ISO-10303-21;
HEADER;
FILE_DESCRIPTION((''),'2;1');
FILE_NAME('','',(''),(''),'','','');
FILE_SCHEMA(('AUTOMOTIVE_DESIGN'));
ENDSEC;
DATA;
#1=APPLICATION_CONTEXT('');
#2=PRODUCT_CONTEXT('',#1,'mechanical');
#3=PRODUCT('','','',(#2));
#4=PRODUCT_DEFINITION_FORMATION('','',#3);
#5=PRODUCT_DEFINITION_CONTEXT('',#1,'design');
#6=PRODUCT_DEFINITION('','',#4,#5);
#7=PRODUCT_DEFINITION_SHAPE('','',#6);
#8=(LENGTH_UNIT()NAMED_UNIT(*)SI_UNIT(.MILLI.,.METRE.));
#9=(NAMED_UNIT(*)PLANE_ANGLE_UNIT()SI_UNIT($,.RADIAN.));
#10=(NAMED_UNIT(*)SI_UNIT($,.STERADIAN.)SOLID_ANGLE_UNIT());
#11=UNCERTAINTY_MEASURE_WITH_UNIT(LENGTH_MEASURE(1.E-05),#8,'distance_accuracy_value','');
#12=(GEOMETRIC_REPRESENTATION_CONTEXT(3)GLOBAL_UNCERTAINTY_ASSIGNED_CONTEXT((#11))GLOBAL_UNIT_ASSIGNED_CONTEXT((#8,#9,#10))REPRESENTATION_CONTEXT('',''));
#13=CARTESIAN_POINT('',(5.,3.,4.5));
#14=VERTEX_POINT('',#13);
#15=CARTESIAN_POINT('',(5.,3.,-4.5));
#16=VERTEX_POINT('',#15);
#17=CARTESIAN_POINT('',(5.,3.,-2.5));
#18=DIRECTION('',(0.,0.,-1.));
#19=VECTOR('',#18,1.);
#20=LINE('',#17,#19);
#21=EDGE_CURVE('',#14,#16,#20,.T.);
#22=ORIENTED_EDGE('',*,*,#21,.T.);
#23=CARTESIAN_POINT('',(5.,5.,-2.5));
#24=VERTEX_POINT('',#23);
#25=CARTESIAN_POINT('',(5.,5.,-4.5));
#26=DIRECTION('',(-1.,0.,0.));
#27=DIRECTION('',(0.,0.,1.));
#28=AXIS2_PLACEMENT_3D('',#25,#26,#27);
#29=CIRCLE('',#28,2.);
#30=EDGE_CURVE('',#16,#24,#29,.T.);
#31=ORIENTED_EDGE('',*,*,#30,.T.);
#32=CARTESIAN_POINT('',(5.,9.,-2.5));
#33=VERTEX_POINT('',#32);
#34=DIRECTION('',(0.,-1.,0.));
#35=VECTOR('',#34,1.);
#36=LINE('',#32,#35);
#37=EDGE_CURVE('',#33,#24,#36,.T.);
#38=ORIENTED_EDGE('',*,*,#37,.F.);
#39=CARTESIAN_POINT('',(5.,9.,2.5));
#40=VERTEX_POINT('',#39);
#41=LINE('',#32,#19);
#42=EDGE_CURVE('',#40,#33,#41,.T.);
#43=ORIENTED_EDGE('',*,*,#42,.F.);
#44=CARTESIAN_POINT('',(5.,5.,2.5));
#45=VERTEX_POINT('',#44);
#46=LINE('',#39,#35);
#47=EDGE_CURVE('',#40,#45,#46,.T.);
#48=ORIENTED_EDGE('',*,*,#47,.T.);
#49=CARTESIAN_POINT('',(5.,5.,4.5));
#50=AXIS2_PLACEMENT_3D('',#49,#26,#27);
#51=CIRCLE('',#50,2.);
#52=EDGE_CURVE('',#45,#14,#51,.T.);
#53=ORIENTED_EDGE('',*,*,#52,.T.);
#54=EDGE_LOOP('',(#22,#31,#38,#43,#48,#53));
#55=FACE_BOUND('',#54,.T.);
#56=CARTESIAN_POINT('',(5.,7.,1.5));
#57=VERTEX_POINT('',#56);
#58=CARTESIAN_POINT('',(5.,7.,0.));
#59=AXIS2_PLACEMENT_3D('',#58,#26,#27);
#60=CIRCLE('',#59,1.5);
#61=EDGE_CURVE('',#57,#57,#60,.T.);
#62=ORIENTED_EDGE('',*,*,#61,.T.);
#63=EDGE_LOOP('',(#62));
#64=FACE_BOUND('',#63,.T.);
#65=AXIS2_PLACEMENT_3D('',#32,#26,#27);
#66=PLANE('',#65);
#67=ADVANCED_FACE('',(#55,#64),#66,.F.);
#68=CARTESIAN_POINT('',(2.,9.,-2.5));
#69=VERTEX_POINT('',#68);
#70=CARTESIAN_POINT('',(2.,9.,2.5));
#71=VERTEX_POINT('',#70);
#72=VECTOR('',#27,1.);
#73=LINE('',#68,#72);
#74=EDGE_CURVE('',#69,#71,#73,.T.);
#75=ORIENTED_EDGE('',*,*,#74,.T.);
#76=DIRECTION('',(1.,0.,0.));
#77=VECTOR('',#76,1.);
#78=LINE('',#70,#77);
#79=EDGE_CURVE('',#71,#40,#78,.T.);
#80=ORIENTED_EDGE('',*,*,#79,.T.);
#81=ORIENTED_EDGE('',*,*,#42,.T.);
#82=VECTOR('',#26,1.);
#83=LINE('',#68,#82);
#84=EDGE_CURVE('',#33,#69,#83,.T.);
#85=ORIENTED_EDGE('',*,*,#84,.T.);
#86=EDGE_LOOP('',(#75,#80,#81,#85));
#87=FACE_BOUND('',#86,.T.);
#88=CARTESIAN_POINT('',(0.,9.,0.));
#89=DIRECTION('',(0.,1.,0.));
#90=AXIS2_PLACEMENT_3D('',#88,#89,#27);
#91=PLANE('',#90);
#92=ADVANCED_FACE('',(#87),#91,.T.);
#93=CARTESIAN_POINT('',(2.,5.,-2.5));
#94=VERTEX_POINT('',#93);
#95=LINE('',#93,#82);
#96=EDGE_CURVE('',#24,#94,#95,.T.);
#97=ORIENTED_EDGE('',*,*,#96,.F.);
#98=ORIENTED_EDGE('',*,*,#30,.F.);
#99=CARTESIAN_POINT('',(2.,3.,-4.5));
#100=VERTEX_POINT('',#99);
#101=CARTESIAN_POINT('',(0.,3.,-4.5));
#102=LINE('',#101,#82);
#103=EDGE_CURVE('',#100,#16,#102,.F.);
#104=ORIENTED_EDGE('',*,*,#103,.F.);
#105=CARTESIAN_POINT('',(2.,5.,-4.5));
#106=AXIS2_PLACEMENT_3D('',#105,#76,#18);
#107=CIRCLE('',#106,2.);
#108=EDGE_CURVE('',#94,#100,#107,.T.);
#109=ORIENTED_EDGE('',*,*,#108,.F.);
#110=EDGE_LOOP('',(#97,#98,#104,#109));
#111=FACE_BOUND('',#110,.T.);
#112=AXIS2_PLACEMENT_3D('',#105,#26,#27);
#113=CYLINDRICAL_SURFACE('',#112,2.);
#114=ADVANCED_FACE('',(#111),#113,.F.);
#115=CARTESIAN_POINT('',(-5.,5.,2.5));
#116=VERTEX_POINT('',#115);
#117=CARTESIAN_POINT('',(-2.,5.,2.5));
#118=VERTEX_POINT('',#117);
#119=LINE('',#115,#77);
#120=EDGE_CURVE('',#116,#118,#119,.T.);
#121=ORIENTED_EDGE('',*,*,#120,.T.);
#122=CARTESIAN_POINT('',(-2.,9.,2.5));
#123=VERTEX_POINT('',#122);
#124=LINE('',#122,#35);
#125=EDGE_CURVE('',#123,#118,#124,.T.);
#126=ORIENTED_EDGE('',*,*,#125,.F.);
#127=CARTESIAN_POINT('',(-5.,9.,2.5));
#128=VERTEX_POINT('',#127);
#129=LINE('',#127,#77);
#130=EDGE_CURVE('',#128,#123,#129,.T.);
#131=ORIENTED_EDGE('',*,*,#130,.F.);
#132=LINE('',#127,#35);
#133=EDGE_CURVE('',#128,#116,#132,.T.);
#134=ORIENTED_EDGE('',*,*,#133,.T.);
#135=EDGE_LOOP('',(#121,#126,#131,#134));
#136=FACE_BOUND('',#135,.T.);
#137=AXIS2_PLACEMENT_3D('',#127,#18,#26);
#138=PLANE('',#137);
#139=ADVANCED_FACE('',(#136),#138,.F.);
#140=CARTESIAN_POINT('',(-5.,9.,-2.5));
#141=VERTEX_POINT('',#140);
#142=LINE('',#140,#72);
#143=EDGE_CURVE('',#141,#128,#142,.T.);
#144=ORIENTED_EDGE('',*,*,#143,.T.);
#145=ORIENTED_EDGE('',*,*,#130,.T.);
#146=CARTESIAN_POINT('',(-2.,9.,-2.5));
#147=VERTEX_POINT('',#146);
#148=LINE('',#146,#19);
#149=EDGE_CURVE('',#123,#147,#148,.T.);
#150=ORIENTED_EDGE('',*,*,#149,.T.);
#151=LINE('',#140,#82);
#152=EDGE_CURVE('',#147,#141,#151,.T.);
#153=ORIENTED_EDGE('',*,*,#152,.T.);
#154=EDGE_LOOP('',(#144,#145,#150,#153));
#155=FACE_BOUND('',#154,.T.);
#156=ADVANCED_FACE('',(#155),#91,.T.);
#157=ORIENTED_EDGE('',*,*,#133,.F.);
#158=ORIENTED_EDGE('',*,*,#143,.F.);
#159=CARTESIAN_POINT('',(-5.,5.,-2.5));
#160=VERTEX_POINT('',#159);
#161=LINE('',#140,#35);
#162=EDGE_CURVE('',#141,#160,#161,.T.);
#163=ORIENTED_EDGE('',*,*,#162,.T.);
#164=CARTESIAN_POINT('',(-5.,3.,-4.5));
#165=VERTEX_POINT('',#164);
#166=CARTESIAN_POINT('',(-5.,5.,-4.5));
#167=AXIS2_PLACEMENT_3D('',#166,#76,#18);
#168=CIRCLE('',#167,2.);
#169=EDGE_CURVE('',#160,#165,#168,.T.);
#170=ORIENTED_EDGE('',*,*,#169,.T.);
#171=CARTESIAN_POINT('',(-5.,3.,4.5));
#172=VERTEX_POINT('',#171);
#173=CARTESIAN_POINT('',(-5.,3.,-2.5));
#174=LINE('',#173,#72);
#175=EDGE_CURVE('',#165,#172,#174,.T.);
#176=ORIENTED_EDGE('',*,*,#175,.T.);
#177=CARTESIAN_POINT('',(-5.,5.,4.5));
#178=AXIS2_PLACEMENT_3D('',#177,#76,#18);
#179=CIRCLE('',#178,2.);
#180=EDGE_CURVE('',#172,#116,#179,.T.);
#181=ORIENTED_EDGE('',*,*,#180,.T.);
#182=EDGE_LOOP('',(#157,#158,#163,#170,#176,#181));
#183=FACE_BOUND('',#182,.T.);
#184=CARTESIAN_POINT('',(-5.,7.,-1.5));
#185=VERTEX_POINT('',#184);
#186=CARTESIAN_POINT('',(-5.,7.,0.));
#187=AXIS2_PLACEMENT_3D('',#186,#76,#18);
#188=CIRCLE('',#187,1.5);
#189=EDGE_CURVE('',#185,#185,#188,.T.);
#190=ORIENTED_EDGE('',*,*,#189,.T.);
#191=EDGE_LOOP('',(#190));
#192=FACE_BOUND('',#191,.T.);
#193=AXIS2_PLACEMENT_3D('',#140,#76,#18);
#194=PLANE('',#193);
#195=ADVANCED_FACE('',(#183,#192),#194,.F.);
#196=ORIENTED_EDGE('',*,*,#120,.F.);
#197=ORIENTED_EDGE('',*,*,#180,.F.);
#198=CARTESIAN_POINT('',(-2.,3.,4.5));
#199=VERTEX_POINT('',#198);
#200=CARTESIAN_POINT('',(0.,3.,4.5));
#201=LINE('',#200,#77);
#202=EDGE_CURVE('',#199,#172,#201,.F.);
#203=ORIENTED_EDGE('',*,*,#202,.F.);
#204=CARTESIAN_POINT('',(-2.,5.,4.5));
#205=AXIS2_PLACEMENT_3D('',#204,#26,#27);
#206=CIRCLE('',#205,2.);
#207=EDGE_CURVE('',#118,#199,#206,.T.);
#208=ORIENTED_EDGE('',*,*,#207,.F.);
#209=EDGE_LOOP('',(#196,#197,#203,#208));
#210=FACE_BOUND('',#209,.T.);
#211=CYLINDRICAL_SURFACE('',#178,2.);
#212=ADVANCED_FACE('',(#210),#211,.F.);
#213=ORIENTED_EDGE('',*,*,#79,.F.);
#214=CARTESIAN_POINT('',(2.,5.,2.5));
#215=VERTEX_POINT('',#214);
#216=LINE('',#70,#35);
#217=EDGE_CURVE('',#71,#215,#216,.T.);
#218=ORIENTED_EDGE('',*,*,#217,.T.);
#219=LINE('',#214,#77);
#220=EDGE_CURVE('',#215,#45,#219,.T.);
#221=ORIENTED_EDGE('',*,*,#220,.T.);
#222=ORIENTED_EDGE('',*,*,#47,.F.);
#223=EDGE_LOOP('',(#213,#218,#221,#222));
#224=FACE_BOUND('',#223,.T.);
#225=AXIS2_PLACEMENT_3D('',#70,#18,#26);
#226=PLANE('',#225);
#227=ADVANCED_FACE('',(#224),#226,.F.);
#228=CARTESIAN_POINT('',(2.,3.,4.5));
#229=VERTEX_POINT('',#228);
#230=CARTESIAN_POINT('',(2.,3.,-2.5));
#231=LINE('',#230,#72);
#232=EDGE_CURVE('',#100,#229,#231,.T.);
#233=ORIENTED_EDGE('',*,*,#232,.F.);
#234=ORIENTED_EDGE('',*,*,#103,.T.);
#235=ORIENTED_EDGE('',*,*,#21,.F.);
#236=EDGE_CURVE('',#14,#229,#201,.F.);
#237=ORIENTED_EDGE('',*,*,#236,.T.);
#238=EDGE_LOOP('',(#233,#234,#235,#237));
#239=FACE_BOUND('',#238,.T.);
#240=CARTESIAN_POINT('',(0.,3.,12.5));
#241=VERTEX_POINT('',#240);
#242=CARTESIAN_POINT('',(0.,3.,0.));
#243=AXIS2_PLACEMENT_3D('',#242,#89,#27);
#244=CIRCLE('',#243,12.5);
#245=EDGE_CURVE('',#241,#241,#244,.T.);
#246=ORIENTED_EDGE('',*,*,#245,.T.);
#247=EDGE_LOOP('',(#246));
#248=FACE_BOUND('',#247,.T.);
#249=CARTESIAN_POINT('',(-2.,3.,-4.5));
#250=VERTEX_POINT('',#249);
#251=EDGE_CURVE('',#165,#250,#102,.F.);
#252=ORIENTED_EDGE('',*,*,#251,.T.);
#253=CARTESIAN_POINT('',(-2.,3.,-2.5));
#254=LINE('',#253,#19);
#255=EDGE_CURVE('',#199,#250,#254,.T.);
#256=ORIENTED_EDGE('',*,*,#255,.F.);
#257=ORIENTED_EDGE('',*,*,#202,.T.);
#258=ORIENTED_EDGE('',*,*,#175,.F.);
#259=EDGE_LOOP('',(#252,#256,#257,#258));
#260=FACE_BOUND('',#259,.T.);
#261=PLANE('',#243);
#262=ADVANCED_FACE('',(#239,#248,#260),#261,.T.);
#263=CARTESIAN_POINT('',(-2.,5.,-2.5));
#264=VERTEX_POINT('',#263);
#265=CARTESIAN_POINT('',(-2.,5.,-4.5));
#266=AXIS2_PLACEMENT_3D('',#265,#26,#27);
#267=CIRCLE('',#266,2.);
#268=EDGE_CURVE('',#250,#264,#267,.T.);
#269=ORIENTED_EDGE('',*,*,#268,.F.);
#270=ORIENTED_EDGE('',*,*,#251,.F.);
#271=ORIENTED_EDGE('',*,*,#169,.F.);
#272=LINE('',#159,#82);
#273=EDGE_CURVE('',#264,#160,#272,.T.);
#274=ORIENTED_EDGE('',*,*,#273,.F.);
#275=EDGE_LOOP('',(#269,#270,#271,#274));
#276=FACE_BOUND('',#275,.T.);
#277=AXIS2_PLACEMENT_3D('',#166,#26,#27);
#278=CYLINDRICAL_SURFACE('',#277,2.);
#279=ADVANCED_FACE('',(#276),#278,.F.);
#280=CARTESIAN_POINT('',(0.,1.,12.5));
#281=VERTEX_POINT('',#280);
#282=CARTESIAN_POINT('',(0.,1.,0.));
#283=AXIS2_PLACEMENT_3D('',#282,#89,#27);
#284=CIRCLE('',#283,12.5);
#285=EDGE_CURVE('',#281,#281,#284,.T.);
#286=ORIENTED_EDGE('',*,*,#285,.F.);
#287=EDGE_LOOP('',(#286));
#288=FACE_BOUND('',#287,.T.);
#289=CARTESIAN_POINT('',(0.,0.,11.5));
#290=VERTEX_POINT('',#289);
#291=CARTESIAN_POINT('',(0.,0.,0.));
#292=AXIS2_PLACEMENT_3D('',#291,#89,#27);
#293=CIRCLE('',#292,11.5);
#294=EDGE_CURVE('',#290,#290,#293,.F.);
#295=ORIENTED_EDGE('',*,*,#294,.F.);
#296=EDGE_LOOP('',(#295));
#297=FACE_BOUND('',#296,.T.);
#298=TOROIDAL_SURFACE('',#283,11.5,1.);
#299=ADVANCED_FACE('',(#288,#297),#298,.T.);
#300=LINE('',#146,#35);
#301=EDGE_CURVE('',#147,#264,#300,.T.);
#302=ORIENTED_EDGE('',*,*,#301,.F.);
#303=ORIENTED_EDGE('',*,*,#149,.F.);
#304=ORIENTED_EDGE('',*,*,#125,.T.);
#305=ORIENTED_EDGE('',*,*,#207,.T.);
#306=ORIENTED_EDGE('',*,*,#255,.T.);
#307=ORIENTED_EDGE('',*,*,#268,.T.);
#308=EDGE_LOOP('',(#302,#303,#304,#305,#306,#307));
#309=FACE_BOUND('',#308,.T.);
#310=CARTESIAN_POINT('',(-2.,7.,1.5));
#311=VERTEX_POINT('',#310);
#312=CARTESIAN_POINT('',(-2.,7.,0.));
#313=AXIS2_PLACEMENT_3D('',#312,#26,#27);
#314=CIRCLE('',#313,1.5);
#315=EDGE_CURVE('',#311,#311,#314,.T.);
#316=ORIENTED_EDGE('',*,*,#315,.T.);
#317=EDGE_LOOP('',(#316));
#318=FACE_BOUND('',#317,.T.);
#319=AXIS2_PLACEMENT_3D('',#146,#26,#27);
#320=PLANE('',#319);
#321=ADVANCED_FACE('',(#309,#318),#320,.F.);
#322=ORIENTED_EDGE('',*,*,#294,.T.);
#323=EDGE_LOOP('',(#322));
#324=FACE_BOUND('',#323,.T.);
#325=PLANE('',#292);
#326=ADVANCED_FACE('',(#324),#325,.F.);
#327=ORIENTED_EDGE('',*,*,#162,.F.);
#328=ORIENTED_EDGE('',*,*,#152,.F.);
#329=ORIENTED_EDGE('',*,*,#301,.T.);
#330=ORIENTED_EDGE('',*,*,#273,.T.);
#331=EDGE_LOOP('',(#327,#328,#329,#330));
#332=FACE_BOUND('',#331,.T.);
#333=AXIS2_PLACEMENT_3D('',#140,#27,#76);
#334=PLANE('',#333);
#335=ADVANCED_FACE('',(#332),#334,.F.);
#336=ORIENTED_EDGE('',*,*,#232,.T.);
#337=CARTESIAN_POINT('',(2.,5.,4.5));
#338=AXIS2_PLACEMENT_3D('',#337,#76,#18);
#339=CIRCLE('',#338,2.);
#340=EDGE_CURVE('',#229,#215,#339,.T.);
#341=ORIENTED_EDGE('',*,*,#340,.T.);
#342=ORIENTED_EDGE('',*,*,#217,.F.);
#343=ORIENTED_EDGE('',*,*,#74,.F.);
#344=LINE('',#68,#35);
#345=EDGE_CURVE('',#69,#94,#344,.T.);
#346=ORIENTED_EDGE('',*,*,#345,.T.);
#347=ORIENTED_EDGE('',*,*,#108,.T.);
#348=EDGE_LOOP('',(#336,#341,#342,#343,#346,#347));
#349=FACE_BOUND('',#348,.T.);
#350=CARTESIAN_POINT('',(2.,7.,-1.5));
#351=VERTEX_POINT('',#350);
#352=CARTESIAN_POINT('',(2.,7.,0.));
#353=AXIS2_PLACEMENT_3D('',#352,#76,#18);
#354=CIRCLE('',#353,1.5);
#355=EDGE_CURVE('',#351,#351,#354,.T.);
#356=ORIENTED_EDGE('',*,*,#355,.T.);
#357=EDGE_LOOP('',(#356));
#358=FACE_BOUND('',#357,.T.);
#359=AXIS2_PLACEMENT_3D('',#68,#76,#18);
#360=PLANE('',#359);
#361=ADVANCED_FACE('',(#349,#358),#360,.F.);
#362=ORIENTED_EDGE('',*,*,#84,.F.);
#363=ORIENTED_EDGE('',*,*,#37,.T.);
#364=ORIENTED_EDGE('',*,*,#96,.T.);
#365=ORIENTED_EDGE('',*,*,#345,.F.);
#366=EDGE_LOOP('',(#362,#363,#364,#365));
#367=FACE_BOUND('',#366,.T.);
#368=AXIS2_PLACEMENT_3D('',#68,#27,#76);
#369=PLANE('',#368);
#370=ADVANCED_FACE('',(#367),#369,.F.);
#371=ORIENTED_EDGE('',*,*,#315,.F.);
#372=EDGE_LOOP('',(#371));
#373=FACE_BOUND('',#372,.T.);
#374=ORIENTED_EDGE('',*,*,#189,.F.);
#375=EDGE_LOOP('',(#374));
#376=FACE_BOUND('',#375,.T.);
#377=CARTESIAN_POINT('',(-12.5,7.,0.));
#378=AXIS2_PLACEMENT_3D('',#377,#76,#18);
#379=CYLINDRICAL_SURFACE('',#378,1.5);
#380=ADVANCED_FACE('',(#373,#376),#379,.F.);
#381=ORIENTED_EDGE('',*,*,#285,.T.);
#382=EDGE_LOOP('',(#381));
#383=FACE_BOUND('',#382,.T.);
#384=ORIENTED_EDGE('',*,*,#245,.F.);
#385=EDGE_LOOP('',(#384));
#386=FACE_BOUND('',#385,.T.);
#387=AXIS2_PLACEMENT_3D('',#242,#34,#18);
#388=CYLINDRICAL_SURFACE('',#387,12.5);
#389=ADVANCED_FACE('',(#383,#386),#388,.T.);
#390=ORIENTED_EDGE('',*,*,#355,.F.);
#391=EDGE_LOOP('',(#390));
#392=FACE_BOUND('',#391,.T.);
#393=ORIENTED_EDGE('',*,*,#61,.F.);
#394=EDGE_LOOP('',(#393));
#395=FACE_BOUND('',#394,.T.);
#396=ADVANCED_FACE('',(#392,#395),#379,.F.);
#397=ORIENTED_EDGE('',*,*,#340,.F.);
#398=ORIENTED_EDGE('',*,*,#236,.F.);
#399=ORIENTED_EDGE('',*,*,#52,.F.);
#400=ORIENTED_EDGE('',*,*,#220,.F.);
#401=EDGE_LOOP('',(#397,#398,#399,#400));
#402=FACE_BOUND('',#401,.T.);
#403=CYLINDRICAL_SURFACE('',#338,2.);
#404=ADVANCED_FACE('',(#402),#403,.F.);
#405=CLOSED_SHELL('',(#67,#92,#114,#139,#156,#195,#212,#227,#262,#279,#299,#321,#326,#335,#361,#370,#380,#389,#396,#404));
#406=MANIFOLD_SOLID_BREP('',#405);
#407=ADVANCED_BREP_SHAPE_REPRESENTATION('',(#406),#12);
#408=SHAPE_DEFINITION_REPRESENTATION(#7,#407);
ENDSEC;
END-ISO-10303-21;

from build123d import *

# Parameters (mm, degrees)
SKETCH1_R               = 12.5
BOSS_EXTRUDE1_DEPTH     = 3
SKETCH2_W               = 3
SKETCH2_H               = 5
BOSS_EXTRUDE2_DEPTH     = 6
SKETCH3_R               = 1.5
CUT_EXTRUDE1_DEPTH      = 8.5
CUT_EXTRUDE1_DEPTH_BACK = 18.5
FILLET1_R               = 2
FILLET2_R               = 1


with BuildPart() as part:
    # Sketch1 → Boss-Extrude1 (new body)
    with BuildSketch(Plane(origin=(0, 0, 0), x_dir=(1, 0, 0), z_dir=(0, 1, 0))):
        with Locations(Location((0, 0, 0), (0, 0, 270))):  # turned: the seam where the file's is
            Circle(SKETCH1_R)
    extrude(amount=BOSS_EXTRUDE1_DEPTH)

    # Sketch2 → Boss-Extrude2 (add)
    with BuildSketch(Plane(origin=(0, 3, 0), x_dir=(1, 0, 0), z_dir=(0, 1, 0))):
        with Locations((-3.5, 0)):
            Rectangle(SKETCH2_W, SKETCH2_H)
        with Locations((3.5, 0)):
            Rectangle(SKETCH2_W, SKETCH2_H)
    extrude(amount=BOSS_EXTRUDE2_DEPTH)

    # Sketch3 → Cut-Extrude1 (cut, two sides)
    with BuildSketch(Plane(origin=(5, 0, 0), x_dir=(0, 0, -1), z_dir=(1, 0, 0))) as cut_extrude1_sk:
        with Locations((0, 7)):
            Circle(SKETCH3_R)
    extrude(amount=CUT_EXTRUDE1_DEPTH, mode=Mode.SUBTRACT)
    extrude(cut_extrude1_sk.sketch, amount=-CUT_EXTRUDE1_DEPTH_BACK, mode=Mode.SUBTRACT)

    # Fillet1
    fillet1_edges = [part.edges().sort_by_distance(p)[0] for p in [
        (3.5, 3, -2.5),
        (3.5, 3, 2.5),
        (-3.5, 3, -2.5),
        (-3.5, 3, 2.5),
    ]]
    fillet(fillet1_edges, radius=FILLET1_R)

    # Fillet2
    fillet2_edges = [part.edges().sort_by_distance(p)[0] for p in [
        (0, 0, -12.5),
    ]]
    fillet(fillet2_edges, radius=FILLET2_R)


solid = part.part
